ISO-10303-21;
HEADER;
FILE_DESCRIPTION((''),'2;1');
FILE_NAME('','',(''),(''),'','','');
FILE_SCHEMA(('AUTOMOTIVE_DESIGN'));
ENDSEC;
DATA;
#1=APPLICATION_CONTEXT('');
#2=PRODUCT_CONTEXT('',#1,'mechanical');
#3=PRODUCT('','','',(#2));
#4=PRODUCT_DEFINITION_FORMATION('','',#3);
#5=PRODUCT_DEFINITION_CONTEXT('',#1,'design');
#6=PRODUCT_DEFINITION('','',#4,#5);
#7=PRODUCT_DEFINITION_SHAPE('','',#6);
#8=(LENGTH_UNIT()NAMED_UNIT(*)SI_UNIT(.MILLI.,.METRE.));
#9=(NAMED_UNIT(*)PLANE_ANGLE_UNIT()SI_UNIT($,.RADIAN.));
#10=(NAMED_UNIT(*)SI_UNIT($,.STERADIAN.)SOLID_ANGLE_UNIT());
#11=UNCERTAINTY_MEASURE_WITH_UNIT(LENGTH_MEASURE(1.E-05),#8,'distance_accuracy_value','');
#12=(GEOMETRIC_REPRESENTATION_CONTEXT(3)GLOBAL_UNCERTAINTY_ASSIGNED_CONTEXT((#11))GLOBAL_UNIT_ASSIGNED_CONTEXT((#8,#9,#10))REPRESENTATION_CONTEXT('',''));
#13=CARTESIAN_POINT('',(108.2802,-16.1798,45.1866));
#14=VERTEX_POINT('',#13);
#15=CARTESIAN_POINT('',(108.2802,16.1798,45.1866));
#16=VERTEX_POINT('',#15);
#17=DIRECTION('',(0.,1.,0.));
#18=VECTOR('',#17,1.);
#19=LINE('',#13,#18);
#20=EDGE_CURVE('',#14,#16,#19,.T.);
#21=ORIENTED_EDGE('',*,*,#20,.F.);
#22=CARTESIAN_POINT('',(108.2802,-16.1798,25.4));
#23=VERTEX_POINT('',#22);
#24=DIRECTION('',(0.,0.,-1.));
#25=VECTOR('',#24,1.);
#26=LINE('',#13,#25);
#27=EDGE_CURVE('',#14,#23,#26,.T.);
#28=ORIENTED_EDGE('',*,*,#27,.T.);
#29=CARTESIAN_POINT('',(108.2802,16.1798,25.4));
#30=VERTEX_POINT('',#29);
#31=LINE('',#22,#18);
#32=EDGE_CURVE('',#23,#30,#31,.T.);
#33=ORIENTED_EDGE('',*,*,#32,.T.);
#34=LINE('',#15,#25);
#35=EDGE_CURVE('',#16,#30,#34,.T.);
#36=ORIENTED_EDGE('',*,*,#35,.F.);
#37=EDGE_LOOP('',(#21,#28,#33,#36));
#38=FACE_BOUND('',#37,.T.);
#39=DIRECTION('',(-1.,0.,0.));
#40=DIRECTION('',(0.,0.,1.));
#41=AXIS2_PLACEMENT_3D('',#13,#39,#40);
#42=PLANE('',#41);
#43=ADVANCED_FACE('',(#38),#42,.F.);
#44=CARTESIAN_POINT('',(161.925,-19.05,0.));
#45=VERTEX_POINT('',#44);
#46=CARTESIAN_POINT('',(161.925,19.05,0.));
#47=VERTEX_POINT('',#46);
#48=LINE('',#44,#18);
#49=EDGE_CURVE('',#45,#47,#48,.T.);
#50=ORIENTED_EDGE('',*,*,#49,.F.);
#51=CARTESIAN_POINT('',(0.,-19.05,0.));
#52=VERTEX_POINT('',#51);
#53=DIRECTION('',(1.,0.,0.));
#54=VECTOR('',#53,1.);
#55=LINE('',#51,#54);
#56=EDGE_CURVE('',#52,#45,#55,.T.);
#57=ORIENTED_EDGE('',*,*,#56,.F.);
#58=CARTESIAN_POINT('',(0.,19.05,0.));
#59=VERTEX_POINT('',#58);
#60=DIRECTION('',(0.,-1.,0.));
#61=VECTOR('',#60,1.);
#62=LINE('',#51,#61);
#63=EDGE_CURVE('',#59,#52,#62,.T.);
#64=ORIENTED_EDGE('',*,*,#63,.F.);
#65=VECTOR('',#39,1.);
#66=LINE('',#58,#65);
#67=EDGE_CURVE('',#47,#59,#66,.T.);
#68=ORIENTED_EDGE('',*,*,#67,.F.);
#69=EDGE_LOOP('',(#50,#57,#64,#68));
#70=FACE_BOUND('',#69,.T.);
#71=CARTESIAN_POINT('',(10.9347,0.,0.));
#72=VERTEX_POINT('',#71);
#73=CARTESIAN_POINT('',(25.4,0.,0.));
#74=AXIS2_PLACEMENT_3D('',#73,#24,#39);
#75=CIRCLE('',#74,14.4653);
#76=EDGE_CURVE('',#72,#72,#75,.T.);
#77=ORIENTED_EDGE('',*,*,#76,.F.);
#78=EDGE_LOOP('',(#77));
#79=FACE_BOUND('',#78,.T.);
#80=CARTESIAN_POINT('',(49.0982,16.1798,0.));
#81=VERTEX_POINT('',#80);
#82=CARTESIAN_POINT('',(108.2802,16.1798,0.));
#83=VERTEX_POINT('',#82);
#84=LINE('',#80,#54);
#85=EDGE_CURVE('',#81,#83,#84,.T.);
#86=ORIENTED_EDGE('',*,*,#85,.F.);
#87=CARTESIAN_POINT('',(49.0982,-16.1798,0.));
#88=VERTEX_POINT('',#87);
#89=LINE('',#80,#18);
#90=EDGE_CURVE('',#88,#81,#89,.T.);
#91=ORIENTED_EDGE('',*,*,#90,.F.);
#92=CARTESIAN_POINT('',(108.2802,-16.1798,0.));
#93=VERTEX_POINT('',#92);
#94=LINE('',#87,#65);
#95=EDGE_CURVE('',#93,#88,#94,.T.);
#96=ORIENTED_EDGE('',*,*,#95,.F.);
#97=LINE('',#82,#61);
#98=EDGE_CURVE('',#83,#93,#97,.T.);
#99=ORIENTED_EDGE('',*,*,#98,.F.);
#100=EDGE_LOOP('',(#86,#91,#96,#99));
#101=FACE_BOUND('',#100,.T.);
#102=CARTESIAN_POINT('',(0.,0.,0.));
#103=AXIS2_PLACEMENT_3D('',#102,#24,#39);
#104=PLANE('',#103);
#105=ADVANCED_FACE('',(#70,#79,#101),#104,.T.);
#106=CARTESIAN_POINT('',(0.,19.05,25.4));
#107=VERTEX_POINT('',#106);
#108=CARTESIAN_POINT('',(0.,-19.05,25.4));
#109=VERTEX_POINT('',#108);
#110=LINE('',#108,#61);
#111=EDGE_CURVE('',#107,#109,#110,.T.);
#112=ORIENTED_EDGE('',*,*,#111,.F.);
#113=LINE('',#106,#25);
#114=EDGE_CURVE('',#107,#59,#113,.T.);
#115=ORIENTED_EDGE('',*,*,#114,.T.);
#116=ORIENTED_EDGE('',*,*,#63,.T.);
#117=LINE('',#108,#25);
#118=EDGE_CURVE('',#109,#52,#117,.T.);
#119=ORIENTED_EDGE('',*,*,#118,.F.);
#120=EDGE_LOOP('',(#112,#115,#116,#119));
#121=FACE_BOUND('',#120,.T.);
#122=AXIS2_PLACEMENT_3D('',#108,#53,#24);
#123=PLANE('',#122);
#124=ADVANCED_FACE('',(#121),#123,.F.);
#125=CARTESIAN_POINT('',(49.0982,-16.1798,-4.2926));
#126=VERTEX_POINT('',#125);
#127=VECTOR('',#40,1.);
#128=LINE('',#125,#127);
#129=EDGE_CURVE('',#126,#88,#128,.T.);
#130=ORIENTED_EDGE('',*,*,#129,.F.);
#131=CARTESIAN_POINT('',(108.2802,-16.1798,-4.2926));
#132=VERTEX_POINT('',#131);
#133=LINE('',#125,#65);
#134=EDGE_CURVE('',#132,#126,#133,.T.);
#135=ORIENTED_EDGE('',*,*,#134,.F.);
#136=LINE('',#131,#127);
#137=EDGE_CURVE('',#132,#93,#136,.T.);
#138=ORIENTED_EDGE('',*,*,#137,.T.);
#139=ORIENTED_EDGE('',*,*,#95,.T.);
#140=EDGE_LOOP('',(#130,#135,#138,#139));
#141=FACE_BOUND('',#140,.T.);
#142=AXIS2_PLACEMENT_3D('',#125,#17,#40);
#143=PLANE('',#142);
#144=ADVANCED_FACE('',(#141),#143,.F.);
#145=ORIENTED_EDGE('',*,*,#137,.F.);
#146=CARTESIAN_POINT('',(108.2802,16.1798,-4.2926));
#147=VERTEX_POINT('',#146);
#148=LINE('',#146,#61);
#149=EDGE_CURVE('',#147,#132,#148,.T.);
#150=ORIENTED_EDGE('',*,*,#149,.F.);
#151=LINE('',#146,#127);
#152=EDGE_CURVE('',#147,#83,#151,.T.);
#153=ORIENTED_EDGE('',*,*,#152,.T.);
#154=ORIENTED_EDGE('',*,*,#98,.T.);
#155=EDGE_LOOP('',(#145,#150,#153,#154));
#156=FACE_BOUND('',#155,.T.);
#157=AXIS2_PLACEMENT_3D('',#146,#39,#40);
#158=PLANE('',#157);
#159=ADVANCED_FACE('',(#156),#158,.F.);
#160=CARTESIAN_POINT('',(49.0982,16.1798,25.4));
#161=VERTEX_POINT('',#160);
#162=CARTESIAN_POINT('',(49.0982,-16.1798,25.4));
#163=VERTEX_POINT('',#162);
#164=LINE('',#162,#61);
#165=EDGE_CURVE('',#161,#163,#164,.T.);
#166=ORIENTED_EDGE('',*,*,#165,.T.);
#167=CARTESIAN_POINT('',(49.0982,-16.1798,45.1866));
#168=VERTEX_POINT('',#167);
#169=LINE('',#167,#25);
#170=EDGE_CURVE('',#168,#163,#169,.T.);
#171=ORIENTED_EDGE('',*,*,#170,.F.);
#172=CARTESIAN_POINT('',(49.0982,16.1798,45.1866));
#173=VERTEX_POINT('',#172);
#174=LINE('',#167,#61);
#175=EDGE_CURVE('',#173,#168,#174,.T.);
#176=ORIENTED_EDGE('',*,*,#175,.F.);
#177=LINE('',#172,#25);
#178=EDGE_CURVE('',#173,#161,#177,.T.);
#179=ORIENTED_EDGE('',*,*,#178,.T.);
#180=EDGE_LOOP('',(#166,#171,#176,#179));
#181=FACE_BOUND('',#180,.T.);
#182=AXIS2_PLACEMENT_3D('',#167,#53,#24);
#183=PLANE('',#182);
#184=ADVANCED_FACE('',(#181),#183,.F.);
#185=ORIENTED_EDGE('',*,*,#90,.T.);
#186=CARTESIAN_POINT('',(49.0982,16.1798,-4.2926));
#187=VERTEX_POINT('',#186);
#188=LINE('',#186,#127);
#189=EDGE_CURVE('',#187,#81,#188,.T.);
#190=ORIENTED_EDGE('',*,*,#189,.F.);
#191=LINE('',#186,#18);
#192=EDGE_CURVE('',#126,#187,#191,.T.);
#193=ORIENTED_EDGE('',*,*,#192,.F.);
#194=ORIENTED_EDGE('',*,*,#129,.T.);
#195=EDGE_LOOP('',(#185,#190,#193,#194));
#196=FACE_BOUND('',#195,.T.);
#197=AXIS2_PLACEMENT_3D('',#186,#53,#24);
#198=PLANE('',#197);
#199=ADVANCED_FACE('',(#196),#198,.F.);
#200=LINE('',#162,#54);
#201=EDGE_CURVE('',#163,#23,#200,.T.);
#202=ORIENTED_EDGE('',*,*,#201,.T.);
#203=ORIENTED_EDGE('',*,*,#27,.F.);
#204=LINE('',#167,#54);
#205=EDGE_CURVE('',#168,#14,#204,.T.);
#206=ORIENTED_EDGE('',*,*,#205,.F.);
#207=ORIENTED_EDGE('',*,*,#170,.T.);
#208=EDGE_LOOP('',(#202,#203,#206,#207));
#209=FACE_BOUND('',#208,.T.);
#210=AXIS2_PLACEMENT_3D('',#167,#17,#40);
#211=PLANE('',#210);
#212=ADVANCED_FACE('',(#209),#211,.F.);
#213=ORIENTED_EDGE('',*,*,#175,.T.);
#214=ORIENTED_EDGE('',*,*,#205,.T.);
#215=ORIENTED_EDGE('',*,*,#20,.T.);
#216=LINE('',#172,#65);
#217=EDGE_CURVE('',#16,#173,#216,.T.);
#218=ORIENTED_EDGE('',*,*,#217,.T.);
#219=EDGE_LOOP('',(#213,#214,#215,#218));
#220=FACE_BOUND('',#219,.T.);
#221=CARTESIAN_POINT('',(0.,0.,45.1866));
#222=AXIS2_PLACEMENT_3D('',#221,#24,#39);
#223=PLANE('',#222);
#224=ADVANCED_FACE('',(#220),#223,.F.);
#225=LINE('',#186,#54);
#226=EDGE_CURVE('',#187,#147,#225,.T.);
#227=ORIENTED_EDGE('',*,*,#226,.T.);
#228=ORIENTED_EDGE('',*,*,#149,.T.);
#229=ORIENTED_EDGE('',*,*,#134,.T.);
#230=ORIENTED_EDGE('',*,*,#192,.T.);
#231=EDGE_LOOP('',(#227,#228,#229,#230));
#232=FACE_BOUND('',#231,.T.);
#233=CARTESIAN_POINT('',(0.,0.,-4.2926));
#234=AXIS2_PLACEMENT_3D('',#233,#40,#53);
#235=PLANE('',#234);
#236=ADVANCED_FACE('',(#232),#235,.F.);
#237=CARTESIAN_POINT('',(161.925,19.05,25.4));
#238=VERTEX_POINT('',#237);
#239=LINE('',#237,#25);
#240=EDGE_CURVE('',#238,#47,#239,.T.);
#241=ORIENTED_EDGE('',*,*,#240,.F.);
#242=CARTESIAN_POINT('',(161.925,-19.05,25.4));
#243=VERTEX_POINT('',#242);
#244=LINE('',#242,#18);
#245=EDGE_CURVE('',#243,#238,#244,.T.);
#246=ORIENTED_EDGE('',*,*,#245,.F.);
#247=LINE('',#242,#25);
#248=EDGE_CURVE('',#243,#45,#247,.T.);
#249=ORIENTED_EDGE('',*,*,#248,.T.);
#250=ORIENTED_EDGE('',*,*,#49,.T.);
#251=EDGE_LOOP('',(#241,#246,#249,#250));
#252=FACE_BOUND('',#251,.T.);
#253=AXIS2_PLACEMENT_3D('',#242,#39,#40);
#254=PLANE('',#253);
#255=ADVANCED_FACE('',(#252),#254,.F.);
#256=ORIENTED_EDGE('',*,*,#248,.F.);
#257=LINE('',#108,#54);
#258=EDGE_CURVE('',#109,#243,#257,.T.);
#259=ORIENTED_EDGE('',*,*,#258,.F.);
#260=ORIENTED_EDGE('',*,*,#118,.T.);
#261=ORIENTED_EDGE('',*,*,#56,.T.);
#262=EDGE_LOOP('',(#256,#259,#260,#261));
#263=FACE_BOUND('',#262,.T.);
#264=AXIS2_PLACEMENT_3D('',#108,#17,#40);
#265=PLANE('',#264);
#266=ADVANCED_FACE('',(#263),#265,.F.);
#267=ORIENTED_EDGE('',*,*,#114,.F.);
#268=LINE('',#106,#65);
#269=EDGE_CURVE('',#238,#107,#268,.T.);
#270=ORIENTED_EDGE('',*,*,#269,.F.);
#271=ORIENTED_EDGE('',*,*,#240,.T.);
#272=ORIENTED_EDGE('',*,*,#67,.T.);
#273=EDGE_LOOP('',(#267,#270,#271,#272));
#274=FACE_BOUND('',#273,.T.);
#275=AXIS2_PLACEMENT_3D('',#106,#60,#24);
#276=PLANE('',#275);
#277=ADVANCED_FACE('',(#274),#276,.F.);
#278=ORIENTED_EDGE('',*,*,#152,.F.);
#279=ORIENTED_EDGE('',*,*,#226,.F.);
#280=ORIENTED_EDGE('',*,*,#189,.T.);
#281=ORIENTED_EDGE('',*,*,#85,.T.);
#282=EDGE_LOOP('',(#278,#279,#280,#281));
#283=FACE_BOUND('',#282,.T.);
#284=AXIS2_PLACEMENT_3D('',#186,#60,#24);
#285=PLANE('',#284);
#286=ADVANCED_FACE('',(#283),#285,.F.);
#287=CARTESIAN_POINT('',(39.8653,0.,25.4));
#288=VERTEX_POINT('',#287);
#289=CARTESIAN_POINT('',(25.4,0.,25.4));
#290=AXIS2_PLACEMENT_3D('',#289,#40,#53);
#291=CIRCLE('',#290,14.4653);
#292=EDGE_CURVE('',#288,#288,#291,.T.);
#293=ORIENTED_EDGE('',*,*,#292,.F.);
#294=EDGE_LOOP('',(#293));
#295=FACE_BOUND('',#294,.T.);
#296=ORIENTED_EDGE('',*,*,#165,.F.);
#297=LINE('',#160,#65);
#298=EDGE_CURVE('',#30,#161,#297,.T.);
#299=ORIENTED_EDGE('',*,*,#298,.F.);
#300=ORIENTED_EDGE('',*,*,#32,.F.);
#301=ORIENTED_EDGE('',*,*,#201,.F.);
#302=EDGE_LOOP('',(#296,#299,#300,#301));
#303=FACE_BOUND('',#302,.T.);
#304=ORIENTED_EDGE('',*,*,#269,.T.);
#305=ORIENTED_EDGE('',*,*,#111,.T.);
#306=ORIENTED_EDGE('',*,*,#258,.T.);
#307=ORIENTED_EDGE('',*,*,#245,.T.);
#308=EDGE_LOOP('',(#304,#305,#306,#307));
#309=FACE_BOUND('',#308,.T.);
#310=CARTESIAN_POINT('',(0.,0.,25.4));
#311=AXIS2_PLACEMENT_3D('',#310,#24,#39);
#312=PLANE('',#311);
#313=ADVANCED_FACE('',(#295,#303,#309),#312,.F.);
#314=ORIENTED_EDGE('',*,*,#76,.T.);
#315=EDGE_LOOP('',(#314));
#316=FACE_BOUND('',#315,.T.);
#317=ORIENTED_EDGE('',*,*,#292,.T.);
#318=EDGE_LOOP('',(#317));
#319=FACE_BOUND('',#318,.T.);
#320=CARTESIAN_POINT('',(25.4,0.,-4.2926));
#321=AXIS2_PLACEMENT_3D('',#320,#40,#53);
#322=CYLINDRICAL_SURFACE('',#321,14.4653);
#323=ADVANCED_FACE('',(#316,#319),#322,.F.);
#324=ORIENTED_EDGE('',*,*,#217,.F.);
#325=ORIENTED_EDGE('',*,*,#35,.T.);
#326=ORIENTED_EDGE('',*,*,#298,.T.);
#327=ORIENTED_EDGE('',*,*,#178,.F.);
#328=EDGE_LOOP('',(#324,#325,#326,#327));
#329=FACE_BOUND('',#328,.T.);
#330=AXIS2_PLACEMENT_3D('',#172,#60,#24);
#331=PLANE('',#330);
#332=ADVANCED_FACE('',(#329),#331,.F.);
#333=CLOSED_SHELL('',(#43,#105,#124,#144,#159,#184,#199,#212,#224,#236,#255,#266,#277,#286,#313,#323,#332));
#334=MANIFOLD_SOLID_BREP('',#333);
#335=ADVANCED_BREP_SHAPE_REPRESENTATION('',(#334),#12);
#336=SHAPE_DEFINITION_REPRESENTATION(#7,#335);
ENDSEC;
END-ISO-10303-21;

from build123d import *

# Parameters (mm, degrees)
SKETCH1_W           = 161.925
SKETCH1_H           = 38.1
BOSS_EXTRUDE1_DEPTH = 25.4
SKETCH3_W           = 59.182
SKETCH3_H           = 32.3596
BOSS_EXTRUDE3_DEPTH = 19.7866
SKETCH4_W           = 59.182
SKETCH4_H           = 32.3596
BOSS_EXTRUDE4_DEPTH = 4.2926
SKETCH6_R           = 14.4653
CUT_EXTRUDE1_DEPTH  = 30.6926


with BuildPart() as part:
    # Sketch1 → Boss-Extrude1 (new body)
    with BuildSketch(Plane.XY):
        with Locations((80.9625, 0)):
            Rectangle(SKETCH1_W, SKETCH1_H)
    extrude(amount=BOSS_EXTRUDE1_DEPTH)

    # Sketch3 → Boss-Extrude3 (add)
    with BuildSketch(Plane.XY.offset(25.4)):
        with Locations((78.6892, 0)):
            Rectangle(SKETCH3_W, SKETCH3_H)
    extrude(amount=BOSS_EXTRUDE3_DEPTH)

    # Sketch4 → Boss-Extrude4 (add)
    with BuildSketch(Plane(origin=(0, 0, 0), x_dir=(-1, 0, 0), z_dir=(0, 0, -1))):
        with Locations((-78.6892, 0)):
            Rectangle(SKETCH4_W, SKETCH4_H)
    extrude(amount=BOSS_EXTRUDE4_DEPTH)

    # Sketch6 → Cut-Extrude1 (cut, through all)
    with BuildSketch(Plane.XY.offset(25.4)):
        with Locations((25.4, 0)):
            Circle(SKETCH6_R)
    extrude(amount=-CUT_EXTRUDE1_DEPTH, mode=Mode.SUBTRACT)


solid = part.part
